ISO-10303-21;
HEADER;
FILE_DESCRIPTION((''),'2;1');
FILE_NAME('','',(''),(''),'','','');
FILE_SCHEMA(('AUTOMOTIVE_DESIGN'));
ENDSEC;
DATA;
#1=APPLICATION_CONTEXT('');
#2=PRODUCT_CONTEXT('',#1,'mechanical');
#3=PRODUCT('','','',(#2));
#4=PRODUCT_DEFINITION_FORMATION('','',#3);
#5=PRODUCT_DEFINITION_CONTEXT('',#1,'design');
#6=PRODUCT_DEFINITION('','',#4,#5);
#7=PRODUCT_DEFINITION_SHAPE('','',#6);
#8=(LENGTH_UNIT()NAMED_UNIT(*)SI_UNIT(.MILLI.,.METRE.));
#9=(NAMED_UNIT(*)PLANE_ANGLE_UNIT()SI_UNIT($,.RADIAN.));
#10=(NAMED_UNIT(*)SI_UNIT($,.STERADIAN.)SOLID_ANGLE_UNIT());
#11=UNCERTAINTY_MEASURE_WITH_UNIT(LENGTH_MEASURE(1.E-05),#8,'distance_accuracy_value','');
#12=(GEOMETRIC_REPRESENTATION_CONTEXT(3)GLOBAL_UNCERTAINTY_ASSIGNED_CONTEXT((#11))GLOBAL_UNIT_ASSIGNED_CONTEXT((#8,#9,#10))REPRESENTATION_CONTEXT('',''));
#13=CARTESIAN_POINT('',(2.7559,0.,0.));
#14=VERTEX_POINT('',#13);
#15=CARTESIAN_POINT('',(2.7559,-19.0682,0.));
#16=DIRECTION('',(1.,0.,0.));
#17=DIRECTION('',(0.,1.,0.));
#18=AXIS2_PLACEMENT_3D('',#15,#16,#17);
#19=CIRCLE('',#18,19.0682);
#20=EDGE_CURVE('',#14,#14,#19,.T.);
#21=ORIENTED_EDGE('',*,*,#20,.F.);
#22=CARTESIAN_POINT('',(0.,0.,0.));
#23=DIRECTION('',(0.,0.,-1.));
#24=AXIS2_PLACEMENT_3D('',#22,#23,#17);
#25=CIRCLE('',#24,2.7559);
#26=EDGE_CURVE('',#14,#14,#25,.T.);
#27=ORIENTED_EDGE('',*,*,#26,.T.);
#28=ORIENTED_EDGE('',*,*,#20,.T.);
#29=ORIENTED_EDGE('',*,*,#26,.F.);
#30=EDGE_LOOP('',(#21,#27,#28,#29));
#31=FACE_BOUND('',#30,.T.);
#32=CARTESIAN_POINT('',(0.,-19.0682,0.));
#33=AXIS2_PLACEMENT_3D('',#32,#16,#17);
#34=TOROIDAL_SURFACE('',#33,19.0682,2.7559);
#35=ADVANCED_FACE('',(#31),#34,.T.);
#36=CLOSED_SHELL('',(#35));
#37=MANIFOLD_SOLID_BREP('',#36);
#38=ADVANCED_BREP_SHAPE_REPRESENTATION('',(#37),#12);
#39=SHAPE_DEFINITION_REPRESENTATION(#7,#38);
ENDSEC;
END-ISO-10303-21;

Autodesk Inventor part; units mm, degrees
ref_plane "YZ Plane" through (0, 0, 0) normal (1, 0, 0) x (0, 1, 0)
ref_plane "XZ Plane" through (0, 0, 0) normal (0, 1, 0) x (-1, 0, 0)
sketch "Sketch1" plane through (0, 0, 0) normal (0, 0, 1) x (1, 0, 0)
  circle A0 centre (0, 0) radius 2.7559
  dimension "d0" = 5.5118
sketch "Sketch2" plane through (0, 0, 0) normal (0, 1, 0) x (-1, 0, 0)
  point P0 (0, 0)
sketch "Sketch3" plane through (0, 0, 0) normal (1, 0, 0) x (0, 1, 0)
  point P0 (0, 0)
sketch "Sketch4" plane through (0, 0, 0) normal (1, 0, 0) x (0, 1, 0)
  circle A0 centre (-19.0682, 0) radius 19.2024
  point P0 (0, 0)
  dimension "d2" = 38.4048
sweep "Sweep1" add profiles "Sketch1" path "Sketch4"
properties part number "o-ring"
